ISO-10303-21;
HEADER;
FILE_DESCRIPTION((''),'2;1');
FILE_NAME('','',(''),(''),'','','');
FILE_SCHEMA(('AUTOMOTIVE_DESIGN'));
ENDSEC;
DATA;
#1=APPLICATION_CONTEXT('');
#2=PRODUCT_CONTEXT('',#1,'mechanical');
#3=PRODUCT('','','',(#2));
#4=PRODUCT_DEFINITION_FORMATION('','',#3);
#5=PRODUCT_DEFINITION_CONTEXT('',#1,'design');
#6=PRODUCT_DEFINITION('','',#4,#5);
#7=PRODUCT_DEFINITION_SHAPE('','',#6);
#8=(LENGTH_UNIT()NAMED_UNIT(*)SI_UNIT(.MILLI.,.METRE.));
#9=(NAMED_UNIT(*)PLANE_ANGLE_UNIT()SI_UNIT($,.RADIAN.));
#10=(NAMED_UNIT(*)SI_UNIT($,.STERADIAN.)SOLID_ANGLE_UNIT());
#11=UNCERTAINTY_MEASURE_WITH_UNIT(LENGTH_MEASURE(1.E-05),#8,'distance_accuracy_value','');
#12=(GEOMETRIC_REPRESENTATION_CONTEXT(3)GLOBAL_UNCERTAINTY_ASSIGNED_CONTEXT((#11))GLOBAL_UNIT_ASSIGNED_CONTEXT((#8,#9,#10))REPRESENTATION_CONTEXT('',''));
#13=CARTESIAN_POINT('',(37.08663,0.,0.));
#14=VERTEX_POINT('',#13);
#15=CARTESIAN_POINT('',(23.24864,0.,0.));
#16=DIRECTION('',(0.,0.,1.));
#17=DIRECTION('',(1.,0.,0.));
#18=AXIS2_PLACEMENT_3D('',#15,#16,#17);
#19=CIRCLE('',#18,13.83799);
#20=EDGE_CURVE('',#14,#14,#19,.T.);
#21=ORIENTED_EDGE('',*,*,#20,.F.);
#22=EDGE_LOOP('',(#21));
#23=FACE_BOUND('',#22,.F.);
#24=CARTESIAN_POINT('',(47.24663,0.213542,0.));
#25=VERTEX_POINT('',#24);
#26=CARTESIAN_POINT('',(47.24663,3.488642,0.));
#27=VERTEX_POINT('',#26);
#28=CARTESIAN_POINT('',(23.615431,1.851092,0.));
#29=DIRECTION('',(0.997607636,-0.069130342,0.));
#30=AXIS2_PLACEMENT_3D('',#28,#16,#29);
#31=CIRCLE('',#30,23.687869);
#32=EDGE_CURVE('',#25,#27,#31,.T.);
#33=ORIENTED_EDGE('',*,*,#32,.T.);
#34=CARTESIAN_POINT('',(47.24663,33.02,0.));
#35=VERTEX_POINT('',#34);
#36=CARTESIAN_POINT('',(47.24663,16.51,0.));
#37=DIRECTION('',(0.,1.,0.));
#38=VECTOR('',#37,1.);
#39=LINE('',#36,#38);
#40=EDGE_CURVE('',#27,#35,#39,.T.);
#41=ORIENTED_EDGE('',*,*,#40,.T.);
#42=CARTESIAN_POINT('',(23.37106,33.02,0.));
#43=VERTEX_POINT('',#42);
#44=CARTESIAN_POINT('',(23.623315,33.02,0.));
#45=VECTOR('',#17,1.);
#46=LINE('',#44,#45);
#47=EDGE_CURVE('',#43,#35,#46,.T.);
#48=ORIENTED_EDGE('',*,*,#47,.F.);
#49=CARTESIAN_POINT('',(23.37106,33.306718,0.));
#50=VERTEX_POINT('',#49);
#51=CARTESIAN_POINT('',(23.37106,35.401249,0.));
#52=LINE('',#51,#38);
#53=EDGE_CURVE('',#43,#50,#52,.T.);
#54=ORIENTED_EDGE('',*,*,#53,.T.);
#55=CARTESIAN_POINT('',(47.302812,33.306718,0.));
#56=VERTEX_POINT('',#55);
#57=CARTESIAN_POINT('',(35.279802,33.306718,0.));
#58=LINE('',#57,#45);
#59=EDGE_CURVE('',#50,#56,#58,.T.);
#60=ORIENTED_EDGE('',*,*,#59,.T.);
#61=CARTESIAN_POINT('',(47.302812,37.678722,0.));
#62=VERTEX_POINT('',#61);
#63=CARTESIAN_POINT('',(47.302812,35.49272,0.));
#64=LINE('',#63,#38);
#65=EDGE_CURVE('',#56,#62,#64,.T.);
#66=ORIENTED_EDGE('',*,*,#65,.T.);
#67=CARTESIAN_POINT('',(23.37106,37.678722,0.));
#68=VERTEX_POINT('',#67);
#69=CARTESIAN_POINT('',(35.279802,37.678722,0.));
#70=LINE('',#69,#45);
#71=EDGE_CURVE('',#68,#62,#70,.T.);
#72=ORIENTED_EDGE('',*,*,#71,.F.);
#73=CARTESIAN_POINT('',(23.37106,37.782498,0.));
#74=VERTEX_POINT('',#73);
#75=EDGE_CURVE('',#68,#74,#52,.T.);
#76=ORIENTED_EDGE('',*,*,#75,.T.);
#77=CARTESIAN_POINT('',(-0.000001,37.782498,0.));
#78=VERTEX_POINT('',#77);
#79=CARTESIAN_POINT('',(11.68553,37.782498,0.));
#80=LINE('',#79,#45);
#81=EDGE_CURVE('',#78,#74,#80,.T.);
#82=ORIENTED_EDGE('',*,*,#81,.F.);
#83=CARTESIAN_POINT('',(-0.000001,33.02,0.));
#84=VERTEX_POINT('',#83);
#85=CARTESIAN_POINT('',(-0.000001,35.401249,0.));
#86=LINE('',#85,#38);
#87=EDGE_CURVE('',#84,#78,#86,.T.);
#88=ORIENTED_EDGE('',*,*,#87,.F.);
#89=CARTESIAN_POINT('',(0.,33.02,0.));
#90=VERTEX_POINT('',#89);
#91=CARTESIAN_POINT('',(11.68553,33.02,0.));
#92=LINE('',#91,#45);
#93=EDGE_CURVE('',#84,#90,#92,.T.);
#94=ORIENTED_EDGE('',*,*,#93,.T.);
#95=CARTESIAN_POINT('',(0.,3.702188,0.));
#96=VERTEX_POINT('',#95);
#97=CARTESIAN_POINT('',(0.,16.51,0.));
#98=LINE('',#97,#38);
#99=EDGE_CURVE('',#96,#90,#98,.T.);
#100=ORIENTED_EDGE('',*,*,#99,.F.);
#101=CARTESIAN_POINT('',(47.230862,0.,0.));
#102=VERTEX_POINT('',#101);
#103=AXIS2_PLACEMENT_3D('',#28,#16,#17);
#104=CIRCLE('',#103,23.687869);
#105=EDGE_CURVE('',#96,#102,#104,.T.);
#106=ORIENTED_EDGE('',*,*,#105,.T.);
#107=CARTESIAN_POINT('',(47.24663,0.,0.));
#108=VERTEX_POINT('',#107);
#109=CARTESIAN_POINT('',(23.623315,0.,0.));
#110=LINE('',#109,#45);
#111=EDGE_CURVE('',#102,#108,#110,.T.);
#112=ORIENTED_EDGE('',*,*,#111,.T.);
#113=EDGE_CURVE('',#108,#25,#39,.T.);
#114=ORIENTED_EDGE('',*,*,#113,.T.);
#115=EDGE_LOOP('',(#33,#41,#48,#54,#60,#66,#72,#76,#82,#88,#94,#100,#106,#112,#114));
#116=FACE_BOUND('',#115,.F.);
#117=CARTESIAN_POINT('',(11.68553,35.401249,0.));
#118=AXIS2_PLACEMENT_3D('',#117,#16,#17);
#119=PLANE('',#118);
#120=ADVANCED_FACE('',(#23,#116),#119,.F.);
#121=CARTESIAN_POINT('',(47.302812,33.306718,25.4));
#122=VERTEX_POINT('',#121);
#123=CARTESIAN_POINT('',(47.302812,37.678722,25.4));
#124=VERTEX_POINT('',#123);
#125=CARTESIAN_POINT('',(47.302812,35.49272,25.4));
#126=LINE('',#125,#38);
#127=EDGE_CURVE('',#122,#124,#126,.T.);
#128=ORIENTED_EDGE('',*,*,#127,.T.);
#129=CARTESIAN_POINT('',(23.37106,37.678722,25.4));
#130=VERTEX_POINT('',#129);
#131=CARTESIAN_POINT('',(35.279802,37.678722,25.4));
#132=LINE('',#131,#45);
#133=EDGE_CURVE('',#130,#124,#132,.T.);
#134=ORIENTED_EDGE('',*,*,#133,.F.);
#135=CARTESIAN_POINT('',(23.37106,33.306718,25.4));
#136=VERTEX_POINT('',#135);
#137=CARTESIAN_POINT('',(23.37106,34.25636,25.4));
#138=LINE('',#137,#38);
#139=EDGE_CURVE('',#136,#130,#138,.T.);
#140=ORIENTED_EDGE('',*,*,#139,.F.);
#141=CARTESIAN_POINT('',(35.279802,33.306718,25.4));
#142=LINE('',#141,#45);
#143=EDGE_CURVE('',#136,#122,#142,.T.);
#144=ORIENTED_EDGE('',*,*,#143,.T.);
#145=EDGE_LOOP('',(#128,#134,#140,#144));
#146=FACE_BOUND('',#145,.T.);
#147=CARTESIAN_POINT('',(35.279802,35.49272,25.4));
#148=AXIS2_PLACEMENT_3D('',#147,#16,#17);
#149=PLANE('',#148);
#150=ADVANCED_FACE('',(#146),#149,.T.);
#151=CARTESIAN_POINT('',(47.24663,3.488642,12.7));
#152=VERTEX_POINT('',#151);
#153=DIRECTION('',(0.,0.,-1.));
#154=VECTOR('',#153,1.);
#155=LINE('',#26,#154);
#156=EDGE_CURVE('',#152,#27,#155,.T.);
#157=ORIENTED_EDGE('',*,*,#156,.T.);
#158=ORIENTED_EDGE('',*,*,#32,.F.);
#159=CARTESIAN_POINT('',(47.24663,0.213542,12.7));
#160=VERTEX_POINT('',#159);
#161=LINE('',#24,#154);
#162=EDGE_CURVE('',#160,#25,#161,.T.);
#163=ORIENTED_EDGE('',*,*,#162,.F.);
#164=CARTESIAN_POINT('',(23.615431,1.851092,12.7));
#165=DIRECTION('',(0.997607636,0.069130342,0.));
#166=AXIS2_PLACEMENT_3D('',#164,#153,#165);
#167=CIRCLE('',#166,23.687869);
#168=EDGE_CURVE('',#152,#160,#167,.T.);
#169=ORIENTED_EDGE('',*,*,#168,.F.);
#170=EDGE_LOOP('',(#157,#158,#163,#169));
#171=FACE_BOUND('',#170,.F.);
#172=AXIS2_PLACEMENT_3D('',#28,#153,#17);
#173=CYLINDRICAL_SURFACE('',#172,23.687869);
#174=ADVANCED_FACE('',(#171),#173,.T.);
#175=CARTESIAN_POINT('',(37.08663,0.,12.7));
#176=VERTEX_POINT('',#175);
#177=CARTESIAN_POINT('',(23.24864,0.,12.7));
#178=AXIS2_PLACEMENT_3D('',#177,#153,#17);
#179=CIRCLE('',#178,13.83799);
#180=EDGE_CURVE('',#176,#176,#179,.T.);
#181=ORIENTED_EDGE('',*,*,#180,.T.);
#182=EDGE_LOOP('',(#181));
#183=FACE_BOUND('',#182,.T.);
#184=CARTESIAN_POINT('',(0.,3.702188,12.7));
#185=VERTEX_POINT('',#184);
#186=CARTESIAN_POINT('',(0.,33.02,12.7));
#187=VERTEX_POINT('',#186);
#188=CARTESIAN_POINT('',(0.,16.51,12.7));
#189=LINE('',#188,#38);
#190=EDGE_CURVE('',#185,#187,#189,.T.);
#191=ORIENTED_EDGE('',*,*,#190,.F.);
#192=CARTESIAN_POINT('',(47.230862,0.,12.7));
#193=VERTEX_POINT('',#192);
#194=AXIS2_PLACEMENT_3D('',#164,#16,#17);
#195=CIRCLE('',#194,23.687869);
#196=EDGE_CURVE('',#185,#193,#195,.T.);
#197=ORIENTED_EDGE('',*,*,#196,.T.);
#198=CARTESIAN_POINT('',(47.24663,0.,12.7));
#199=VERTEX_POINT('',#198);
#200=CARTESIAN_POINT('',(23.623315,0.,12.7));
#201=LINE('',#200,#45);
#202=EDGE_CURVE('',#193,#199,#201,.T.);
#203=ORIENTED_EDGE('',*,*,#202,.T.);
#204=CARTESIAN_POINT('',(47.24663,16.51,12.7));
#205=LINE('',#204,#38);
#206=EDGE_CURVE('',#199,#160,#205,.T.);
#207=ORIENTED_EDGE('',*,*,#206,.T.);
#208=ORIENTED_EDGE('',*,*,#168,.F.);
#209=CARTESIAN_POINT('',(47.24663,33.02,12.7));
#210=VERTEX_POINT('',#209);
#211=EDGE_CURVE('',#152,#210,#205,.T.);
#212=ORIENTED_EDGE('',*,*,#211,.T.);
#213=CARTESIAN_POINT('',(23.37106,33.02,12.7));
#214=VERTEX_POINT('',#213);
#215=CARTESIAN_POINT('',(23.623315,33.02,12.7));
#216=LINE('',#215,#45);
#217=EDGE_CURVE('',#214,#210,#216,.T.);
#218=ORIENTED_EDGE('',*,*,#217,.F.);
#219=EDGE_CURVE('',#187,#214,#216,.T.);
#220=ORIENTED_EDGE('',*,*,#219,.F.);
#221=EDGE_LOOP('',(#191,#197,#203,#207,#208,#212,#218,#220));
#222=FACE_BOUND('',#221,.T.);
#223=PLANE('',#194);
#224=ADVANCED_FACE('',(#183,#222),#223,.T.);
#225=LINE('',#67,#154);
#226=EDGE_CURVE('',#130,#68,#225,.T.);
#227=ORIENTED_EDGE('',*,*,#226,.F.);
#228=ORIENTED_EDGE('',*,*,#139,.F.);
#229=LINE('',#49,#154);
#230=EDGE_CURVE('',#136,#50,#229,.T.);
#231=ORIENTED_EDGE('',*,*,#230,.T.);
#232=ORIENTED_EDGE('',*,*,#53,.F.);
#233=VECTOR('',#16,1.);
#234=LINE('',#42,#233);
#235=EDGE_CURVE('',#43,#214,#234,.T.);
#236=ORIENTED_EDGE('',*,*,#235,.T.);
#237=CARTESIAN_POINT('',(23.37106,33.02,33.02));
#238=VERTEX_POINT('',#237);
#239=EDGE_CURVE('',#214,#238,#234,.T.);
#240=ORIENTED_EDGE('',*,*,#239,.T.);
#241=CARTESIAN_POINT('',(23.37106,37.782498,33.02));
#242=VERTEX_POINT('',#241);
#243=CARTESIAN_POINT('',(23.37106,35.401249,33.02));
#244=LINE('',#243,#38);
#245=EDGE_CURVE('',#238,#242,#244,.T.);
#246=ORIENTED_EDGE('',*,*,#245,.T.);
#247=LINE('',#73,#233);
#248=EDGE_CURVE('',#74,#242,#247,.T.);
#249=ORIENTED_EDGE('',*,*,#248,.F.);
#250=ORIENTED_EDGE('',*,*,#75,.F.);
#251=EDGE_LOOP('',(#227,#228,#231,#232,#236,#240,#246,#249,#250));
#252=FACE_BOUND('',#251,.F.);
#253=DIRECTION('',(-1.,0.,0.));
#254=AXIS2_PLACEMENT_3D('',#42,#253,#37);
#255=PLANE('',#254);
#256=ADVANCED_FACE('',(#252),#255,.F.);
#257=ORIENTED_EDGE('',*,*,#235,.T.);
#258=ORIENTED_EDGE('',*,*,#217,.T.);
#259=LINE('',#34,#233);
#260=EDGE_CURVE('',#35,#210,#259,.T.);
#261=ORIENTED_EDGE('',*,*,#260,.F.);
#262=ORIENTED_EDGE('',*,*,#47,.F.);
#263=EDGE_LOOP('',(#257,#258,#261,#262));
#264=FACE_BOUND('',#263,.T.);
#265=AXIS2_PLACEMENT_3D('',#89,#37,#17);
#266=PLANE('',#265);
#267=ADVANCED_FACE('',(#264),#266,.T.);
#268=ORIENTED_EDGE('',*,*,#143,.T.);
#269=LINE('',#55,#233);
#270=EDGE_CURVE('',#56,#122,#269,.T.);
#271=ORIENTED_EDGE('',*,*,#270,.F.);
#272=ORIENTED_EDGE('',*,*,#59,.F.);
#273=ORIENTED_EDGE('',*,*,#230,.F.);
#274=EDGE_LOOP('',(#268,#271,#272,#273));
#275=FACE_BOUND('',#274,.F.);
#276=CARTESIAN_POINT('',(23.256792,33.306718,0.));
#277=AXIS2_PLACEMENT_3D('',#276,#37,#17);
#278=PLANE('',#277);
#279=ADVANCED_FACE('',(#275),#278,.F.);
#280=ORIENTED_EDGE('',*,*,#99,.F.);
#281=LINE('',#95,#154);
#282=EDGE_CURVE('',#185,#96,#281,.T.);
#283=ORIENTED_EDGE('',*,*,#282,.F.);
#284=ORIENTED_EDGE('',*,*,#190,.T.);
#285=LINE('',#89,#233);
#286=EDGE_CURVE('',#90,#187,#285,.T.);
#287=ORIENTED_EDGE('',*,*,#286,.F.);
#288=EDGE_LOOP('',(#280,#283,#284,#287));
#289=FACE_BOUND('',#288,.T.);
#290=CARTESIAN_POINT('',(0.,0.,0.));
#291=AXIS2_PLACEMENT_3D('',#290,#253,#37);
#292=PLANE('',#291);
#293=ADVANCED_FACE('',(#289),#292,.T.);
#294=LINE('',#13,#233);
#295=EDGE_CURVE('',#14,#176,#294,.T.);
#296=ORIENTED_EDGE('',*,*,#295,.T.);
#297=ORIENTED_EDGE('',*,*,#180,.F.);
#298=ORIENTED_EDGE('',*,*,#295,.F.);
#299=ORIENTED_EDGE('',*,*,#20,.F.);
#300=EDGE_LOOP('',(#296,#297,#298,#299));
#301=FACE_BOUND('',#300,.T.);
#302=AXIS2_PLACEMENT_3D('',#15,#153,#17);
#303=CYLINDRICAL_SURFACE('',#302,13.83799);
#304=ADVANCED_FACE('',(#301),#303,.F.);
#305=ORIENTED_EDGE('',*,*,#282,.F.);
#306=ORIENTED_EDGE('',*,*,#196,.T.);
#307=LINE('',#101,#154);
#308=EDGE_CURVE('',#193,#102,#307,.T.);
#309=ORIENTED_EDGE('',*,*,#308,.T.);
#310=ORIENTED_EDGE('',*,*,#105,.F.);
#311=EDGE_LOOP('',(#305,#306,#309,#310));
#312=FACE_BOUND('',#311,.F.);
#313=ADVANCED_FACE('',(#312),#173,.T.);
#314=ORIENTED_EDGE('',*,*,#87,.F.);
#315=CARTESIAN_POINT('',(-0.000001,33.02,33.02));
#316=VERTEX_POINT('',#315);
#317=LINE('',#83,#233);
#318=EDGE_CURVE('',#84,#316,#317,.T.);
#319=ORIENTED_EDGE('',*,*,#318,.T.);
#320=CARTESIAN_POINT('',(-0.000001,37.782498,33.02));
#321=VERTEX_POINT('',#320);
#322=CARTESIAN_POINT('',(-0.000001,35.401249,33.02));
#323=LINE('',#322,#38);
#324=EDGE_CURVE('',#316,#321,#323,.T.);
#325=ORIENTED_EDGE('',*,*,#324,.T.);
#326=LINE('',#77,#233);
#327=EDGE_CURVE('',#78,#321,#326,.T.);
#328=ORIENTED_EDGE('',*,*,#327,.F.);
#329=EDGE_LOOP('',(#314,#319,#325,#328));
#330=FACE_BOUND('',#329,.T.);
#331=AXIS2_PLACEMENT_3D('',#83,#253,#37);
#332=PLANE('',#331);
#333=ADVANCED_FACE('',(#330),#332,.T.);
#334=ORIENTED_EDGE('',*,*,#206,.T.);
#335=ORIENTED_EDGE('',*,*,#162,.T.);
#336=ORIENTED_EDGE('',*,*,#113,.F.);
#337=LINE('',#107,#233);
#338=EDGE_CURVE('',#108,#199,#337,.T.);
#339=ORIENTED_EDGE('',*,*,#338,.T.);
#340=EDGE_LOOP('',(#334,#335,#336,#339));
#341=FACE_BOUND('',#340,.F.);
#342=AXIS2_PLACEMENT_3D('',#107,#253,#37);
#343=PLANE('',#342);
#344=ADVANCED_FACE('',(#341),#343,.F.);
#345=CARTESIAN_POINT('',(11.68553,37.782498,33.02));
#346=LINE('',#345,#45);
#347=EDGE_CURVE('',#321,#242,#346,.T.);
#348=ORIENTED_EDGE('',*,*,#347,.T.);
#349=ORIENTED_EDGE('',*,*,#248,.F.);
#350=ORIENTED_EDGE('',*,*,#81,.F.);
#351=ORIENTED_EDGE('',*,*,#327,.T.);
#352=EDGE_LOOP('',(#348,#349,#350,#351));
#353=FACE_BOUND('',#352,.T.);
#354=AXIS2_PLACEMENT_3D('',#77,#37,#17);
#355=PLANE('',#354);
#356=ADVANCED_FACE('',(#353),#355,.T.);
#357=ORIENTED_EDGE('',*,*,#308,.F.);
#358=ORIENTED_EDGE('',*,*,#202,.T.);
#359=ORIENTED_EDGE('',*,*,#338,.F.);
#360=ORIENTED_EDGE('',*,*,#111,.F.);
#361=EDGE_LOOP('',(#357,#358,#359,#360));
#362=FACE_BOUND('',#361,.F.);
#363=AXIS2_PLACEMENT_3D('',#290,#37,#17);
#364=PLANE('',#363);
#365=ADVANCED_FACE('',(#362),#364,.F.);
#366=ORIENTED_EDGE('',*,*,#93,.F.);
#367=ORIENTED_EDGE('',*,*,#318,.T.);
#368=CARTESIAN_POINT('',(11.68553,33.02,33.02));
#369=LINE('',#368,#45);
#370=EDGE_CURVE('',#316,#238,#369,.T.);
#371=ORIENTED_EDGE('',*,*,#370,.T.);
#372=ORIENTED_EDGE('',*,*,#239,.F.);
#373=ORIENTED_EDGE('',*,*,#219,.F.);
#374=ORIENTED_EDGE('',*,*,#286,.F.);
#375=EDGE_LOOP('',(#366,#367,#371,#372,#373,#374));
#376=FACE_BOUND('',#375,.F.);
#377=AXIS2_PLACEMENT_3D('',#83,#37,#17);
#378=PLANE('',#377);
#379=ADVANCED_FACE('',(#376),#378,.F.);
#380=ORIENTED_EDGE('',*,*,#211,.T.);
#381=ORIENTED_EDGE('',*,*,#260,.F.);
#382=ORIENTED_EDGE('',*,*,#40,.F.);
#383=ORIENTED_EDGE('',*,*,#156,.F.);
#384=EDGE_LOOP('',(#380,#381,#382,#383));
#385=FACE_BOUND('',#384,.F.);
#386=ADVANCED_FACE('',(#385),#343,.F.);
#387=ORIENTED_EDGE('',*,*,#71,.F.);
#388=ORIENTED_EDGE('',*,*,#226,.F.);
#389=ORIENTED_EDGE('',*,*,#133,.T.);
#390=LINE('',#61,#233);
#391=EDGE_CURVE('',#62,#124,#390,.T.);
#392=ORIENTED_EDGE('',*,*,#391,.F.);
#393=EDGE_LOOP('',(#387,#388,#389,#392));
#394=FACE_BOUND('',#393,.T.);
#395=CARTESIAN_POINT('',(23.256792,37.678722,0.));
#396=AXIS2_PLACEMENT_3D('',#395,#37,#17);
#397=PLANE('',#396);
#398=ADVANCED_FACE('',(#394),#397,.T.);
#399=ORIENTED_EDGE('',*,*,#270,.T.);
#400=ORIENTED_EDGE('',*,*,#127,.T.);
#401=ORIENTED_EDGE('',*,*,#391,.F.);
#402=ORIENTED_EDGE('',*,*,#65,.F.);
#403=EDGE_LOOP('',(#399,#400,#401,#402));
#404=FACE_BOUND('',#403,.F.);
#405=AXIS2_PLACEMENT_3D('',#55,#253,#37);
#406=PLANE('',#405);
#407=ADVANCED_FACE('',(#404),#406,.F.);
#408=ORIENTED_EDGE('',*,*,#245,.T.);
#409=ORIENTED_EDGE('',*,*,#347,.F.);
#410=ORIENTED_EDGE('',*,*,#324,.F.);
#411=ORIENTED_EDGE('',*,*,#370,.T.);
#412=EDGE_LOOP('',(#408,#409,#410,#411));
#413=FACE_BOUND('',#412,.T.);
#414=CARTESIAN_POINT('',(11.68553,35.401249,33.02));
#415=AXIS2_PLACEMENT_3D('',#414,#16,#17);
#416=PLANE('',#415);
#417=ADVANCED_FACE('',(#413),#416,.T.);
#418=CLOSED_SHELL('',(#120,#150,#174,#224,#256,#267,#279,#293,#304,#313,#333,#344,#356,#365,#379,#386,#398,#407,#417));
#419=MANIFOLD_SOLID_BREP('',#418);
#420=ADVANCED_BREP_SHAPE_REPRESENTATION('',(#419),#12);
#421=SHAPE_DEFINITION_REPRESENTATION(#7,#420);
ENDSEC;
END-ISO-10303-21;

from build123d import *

# Parameters (mm, degrees)
F0_W     = 47.24663
F0_H     = 33.02
F2_DEPTH = 12.7
F1_R     = 23.687869
F3_DEPTH = 12.7
F4_R     = 13.83799
F5_DEPTH = 12.701
F6_W     = 23.371061
F6_H     = 4.762498
F8_DEPTH = 33.02
F7_W     = 24.04602
F7_H     = 4.372004
F9_DEPTH = 25.4


with BuildPart() as f2:
    # F0 (on Top) → F2 (new body)
    with BuildSketch(Plane.XY):
        with Locations((23.623315, 16.51)):
            Rectangle(F0_W, F0_H)
    extrude(amount=F2_DEPTH)

    # F1 (on Top) → F3 (join)
    with BuildSketch(Plane.XY):
        with Locations((23.615431, 1.851092)):
            Circle(F1_R)
    extrude(amount=F3_DEPTH)

    # F4 (on Top) → F5 (cut, through all)
    with BuildSketch(Plane.XY):
        with Locations((23.24864, 0)):
            Circle(F4_R)
    extrude(amount=F5_DEPTH, mode=Mode.SUBTRACT)

    # F6 (on Top) → F8 (join)
    with BuildSketch(Plane.XY):
        with Locations((11.68553, 35.401249)):
            Rectangle(F6_W, F6_H)
    extrude(amount=F8_DEPTH)

    # F7 (on Top) → F9 (join)
    with BuildSketch(Plane.XY):
        with Locations((35.279802, 35.49272)):
            Rectangle(F7_W, F7_H)
    extrude(amount=F9_DEPTH)


solid = f2.part
